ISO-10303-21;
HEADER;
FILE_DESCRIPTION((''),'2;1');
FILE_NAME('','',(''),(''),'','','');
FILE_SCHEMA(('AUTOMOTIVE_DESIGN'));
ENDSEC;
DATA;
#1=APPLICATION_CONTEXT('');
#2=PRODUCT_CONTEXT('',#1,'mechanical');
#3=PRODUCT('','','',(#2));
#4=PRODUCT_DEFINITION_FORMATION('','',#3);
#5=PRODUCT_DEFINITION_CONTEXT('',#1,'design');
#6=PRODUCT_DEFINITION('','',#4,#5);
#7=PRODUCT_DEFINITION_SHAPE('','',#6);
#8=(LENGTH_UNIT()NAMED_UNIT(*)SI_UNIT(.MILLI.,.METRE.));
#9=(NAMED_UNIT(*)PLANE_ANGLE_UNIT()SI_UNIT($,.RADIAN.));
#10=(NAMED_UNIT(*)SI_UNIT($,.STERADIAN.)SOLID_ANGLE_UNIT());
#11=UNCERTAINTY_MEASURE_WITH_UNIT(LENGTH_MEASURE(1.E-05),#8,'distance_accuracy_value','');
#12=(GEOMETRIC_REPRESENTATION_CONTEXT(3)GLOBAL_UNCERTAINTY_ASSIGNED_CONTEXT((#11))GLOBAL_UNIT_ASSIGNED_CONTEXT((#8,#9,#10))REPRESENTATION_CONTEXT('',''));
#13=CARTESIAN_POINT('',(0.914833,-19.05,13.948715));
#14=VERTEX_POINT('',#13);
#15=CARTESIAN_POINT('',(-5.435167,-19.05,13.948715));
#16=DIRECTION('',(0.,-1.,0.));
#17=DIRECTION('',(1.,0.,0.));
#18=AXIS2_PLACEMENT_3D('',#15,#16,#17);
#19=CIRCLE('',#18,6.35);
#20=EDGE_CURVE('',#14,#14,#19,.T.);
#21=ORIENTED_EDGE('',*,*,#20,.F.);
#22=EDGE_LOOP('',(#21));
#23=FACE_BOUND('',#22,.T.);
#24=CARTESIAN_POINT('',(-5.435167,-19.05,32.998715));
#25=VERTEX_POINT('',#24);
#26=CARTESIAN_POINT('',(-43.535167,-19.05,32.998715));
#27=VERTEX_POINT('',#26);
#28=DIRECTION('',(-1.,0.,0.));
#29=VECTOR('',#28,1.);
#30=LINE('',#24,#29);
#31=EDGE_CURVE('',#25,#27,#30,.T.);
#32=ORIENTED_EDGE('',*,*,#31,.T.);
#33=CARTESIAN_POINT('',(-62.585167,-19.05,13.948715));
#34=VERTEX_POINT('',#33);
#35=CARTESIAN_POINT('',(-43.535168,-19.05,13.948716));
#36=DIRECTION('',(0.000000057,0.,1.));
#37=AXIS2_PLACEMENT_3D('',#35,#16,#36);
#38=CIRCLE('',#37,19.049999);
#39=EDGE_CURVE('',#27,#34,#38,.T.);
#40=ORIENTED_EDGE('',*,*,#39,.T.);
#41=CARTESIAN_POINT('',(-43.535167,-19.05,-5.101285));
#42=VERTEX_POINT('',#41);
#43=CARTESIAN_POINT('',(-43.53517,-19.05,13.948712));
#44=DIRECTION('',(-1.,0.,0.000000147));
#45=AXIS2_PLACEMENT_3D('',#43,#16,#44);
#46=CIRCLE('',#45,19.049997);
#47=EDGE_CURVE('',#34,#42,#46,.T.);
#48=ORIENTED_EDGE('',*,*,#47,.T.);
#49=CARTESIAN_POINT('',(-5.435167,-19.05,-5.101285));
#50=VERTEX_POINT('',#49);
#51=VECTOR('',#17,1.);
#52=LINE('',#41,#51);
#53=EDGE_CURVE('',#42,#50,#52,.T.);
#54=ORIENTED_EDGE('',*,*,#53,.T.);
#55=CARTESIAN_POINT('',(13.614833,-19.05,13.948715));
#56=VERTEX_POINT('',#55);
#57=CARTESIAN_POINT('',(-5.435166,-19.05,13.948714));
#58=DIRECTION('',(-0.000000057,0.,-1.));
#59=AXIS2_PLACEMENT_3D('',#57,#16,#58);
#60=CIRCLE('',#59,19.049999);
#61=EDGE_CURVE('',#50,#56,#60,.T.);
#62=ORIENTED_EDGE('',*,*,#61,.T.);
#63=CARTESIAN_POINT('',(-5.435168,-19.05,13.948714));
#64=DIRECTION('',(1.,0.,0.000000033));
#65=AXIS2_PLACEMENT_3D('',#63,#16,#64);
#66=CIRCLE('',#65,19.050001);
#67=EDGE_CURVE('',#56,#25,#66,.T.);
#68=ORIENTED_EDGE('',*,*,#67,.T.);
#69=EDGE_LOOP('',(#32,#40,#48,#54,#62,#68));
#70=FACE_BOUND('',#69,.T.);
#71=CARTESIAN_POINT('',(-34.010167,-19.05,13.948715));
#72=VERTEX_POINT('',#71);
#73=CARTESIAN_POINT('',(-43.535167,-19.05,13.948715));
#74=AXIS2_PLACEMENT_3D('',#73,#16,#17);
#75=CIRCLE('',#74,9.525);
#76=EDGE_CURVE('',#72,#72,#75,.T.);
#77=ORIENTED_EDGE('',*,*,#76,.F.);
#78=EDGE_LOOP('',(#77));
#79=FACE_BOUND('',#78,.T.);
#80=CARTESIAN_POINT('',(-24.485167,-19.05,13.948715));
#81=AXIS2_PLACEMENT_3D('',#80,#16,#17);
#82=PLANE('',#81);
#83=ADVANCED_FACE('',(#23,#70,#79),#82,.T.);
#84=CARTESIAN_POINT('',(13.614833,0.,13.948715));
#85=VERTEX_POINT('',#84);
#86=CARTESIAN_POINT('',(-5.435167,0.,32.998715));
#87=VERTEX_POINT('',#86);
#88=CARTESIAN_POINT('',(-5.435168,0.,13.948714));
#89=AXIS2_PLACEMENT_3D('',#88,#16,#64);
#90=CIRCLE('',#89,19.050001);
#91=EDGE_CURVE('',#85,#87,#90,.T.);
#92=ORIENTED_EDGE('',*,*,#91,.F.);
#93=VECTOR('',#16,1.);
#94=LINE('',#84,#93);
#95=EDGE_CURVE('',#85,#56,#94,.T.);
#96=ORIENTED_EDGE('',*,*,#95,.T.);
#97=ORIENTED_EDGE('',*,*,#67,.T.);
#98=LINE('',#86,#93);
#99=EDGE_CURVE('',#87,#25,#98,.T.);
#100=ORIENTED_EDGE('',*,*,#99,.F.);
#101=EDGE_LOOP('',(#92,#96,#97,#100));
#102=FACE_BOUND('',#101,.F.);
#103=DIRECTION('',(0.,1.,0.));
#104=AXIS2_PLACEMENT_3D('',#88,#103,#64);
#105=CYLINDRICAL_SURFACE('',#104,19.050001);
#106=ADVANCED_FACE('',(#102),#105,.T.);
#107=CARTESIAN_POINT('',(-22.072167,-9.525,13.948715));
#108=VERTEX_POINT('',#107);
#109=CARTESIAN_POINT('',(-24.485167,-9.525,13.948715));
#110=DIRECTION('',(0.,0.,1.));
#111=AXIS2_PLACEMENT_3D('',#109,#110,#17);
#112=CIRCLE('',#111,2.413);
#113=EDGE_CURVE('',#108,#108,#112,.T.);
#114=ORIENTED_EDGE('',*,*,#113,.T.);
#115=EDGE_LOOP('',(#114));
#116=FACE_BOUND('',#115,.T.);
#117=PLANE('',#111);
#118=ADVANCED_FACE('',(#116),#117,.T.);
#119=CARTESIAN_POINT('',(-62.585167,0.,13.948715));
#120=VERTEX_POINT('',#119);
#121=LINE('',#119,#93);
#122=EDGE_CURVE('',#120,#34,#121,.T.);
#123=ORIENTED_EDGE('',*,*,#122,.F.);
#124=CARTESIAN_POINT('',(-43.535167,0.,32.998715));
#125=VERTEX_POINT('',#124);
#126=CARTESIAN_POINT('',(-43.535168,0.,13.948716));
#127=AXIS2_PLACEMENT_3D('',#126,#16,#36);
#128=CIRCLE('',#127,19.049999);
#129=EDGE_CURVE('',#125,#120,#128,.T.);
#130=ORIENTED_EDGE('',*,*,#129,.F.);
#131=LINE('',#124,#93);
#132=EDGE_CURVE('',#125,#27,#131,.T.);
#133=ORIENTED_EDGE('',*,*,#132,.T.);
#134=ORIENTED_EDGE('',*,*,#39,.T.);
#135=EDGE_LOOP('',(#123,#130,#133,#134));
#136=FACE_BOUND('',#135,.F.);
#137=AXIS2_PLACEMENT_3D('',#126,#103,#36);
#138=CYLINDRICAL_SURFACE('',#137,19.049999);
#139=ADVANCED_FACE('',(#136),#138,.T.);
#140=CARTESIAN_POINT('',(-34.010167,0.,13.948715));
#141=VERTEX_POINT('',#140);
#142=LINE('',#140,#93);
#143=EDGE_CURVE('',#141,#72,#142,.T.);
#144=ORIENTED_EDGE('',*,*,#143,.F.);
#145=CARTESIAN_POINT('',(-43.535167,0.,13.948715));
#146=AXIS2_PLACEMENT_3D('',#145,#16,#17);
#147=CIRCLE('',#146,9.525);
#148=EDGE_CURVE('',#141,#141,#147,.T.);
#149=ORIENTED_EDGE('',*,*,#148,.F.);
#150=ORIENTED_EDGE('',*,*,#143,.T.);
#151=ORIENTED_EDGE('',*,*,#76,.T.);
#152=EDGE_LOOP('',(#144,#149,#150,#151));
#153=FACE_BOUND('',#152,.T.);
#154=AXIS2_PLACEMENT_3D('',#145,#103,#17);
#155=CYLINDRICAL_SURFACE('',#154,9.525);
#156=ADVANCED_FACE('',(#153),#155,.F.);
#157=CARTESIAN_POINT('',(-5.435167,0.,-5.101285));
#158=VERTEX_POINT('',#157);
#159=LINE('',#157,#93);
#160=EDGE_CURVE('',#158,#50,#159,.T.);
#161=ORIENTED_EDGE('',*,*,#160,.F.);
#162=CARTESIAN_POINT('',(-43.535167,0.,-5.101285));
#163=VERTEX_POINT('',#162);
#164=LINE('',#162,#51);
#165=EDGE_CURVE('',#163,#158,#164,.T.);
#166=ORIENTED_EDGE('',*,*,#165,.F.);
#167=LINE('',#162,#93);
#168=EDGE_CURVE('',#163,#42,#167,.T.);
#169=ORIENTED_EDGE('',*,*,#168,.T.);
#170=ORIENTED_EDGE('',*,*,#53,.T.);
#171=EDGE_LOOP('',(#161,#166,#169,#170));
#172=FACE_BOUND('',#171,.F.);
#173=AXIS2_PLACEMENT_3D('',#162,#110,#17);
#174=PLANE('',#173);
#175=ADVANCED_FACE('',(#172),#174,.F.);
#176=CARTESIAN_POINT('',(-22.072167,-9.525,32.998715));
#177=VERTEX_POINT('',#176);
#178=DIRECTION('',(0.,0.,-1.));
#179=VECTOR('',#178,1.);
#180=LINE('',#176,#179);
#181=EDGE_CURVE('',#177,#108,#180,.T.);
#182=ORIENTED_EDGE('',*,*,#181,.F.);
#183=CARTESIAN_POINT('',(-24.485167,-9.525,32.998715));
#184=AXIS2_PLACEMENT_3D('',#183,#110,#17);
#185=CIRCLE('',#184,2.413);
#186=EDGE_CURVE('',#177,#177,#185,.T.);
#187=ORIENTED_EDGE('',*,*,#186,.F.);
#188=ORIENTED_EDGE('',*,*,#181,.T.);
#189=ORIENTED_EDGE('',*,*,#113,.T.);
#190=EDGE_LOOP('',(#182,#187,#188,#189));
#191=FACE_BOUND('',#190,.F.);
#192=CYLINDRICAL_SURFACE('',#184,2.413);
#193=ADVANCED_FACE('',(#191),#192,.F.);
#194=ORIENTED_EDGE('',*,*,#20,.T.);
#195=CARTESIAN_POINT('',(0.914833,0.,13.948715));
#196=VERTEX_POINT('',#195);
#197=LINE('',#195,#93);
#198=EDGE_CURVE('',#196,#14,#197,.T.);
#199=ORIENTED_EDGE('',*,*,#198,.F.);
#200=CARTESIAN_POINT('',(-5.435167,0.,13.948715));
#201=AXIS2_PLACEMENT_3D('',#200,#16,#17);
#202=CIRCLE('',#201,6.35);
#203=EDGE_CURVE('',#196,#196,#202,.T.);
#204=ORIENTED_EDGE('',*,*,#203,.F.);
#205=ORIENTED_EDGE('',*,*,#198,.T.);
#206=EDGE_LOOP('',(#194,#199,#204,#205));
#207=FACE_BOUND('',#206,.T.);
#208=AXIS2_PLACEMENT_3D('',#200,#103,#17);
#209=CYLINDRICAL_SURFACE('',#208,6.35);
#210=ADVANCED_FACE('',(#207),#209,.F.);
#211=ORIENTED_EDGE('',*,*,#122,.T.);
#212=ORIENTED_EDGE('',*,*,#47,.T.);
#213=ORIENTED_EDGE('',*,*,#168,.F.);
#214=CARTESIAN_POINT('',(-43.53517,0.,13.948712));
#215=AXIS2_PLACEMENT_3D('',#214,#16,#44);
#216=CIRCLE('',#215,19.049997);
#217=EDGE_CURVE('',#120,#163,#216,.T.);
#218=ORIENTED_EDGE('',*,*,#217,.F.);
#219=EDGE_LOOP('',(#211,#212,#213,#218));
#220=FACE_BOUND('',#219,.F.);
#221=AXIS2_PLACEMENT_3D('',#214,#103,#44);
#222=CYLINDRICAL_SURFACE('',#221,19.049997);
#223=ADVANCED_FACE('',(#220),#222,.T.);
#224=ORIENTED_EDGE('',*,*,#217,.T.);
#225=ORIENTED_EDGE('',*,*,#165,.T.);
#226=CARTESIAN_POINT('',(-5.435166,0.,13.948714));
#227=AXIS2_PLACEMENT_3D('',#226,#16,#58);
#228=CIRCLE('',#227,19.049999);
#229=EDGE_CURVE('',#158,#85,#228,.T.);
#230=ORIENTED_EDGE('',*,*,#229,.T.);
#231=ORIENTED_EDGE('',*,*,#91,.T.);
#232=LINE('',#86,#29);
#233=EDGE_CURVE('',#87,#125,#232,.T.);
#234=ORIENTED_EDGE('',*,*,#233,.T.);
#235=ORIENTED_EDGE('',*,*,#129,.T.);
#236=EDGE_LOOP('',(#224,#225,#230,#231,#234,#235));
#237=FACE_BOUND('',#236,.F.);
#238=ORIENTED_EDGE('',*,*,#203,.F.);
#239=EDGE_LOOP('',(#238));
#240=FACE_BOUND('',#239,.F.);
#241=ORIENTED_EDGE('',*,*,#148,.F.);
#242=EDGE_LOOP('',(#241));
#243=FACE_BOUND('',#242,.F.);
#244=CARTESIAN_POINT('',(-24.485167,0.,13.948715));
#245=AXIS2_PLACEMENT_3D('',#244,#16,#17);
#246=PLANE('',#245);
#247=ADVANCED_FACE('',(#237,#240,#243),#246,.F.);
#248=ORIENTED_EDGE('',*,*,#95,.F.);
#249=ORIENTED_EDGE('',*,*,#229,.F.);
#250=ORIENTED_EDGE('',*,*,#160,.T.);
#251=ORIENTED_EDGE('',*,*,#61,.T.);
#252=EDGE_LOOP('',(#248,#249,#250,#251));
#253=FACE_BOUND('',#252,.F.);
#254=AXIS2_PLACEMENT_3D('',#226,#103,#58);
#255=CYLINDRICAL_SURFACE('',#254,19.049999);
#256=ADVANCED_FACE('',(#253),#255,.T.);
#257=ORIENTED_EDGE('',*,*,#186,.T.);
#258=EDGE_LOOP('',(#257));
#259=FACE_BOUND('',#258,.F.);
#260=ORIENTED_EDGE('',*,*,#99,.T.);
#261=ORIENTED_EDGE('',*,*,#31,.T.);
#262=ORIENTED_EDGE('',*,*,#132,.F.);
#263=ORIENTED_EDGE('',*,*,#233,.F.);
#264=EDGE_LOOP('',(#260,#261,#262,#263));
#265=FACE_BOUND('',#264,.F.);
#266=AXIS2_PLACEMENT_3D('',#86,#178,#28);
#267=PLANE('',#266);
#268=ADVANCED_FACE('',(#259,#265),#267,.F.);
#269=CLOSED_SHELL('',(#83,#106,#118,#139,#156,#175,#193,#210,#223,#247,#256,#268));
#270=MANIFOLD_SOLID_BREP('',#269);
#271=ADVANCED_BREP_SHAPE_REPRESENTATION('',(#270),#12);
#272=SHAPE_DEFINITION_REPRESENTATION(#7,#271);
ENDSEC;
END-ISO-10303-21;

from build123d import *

# Parameters (mm, degrees)
F0_R     = 9.525
F0_R_2   = 6.35
F1_DEPTH = 19.05
F2_R     = 2.413
F3_DEPTH = 19.05


with BuildPart() as f1:
    # F0 (on Front) → F1 (new body)
    with BuildSketch(Plane.XZ):
        with BuildLine():
            Line((-5.435167, 32.998715), (-43.535167, 32.998715))
            ThreePointArc((-43.535167, 32.998715), (-57.005552, 27.419099), (-62.585167, 13.948715))
            ThreePointArc((-62.585167, 13.948715), (-57.005552, 0.47833), (-43.535167, -5.101285))
            Line((-43.535167, -5.101285), (-5.435167, -5.101285))
            ThreePointArc((-5.435167, -5.101285), (8.035217, 0.47833), (13.614833, 13.948715))
            ThreePointArc((13.614833, 13.948715), (8.035217, 27.419099), (-5.435167, 32.998715))
        make_face()
        with Locations((-43.535167, 13.948715)):
            Circle(F0_R, mode=Mode.SUBTRACT)
        with Locations((-5.435167, 13.948715)):
            Circle(F0_R_2, mode=Mode.SUBTRACT)
    extrude(amount=F1_DEPTH)

    # F2 (on face) → F3 (cut)
    with BuildSketch(Plane.XY.offset(32.998715)):
        with Locations((-24.485167, -9.525)):
            Circle(F2_R)
    extrude(amount=-F3_DEPTH, mode=Mode.SUBTRACT)


solid = f1.part
